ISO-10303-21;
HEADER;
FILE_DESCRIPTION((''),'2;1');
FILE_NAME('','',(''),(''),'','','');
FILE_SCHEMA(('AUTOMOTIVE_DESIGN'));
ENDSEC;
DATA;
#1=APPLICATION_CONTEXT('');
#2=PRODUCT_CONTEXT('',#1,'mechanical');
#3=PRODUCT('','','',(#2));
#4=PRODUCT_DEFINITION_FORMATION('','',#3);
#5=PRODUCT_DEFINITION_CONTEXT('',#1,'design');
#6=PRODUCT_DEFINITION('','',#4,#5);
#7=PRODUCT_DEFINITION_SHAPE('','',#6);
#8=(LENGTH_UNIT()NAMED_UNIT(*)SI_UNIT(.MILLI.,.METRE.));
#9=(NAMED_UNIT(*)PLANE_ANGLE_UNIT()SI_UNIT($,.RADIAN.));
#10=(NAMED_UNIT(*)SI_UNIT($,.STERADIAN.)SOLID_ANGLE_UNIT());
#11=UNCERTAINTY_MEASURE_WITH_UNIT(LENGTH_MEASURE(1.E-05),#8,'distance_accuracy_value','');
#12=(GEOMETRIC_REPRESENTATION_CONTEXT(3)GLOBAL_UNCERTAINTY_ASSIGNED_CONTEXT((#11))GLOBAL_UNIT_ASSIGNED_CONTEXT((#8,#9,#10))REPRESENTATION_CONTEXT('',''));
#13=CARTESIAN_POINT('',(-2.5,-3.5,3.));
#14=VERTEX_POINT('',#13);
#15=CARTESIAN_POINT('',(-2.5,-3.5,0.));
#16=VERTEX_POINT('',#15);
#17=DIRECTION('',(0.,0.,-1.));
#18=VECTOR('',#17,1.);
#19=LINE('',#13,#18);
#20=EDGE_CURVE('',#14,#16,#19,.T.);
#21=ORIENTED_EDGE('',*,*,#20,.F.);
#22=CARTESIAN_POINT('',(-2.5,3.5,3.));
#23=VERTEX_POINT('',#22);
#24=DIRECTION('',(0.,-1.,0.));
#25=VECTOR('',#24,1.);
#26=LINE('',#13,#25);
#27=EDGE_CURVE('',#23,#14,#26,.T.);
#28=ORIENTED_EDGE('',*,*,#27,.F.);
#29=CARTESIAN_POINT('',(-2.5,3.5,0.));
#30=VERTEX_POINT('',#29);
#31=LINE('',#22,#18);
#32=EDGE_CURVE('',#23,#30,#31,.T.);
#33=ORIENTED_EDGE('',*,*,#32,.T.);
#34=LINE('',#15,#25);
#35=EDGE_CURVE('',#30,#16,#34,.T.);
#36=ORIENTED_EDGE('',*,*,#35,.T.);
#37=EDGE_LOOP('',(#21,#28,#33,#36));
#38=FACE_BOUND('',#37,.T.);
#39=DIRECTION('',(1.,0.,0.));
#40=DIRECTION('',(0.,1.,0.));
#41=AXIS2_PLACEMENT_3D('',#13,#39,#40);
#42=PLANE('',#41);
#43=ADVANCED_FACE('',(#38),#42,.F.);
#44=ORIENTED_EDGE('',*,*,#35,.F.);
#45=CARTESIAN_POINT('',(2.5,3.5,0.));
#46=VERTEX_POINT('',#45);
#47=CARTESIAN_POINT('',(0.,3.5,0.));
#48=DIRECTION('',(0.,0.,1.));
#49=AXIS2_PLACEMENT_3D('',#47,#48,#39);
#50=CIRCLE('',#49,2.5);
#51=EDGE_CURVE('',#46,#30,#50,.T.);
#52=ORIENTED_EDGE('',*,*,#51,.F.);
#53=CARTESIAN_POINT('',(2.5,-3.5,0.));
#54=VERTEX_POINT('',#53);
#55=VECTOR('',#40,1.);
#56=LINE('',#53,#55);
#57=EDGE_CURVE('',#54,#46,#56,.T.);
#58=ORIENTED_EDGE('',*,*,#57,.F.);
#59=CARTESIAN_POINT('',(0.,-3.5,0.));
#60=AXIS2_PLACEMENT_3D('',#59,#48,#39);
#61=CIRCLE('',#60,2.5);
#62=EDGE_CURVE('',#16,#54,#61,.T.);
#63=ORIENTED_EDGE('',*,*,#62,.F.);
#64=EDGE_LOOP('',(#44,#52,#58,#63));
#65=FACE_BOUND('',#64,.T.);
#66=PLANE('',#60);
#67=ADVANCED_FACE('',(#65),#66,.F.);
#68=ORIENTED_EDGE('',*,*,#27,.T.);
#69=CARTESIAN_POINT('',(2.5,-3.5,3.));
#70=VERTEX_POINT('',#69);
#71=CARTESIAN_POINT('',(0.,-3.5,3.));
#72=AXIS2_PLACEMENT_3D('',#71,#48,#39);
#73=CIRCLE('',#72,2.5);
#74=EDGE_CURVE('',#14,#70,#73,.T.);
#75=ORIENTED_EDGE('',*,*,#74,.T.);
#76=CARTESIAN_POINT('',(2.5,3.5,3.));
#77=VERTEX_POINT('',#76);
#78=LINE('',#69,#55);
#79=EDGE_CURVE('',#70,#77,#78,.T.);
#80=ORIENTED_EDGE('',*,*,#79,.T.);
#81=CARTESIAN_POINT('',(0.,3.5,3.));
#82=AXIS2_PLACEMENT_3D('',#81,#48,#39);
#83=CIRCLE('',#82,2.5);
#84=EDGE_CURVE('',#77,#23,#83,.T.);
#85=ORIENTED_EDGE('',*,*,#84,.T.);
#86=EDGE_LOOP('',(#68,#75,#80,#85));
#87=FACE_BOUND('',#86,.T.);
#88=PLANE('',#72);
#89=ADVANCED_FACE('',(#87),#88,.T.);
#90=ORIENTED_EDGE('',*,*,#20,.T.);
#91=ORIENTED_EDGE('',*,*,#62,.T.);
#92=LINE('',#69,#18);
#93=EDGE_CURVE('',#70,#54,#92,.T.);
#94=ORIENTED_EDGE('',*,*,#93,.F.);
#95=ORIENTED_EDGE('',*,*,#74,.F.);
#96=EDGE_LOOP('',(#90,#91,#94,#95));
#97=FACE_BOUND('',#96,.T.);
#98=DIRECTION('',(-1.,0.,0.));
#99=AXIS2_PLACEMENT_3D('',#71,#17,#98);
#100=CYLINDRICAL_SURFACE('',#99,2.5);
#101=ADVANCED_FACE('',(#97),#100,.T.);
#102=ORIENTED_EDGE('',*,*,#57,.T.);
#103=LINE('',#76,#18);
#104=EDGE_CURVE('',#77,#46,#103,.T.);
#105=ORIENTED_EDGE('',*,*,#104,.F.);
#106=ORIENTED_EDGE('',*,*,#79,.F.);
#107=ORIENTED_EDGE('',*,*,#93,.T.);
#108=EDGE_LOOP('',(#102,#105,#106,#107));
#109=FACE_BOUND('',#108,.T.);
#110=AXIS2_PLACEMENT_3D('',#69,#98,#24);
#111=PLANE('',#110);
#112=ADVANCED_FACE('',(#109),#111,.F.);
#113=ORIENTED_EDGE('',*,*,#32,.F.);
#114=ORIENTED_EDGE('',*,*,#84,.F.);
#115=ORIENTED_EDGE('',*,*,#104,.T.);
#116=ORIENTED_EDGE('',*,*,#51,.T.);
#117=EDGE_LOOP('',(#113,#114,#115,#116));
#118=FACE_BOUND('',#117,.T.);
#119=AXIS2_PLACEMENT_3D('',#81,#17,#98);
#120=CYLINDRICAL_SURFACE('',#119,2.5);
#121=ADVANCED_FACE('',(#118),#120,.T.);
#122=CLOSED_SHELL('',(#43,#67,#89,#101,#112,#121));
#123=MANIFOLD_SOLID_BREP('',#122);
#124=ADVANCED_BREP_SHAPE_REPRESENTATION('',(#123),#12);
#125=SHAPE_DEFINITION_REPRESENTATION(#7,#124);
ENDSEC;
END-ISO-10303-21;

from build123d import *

# Parameters (mm, degrees)
BOSS_EXTRUDE1_DEPTH = 3


with BuildPart() as part:
    # Sketch1 → Boss-Extrude1 (new body)
    with BuildSketch(Plane.XY):
        with BuildLine():
            Line((-2.5, -3.5), (-2.5, 3.5))
            ThreePointArc((-2.5, 3.5), (0, 6), (2.5, 3.5))
            Line((2.5, 3.5), (2.5, -3.5))
            ThreePointArc((2.5, -3.5), (0, -6), (-2.5, -3.5))
        make_face()
    extrude(amount=BOSS_EXTRUDE1_DEPTH)


solid = part.part
